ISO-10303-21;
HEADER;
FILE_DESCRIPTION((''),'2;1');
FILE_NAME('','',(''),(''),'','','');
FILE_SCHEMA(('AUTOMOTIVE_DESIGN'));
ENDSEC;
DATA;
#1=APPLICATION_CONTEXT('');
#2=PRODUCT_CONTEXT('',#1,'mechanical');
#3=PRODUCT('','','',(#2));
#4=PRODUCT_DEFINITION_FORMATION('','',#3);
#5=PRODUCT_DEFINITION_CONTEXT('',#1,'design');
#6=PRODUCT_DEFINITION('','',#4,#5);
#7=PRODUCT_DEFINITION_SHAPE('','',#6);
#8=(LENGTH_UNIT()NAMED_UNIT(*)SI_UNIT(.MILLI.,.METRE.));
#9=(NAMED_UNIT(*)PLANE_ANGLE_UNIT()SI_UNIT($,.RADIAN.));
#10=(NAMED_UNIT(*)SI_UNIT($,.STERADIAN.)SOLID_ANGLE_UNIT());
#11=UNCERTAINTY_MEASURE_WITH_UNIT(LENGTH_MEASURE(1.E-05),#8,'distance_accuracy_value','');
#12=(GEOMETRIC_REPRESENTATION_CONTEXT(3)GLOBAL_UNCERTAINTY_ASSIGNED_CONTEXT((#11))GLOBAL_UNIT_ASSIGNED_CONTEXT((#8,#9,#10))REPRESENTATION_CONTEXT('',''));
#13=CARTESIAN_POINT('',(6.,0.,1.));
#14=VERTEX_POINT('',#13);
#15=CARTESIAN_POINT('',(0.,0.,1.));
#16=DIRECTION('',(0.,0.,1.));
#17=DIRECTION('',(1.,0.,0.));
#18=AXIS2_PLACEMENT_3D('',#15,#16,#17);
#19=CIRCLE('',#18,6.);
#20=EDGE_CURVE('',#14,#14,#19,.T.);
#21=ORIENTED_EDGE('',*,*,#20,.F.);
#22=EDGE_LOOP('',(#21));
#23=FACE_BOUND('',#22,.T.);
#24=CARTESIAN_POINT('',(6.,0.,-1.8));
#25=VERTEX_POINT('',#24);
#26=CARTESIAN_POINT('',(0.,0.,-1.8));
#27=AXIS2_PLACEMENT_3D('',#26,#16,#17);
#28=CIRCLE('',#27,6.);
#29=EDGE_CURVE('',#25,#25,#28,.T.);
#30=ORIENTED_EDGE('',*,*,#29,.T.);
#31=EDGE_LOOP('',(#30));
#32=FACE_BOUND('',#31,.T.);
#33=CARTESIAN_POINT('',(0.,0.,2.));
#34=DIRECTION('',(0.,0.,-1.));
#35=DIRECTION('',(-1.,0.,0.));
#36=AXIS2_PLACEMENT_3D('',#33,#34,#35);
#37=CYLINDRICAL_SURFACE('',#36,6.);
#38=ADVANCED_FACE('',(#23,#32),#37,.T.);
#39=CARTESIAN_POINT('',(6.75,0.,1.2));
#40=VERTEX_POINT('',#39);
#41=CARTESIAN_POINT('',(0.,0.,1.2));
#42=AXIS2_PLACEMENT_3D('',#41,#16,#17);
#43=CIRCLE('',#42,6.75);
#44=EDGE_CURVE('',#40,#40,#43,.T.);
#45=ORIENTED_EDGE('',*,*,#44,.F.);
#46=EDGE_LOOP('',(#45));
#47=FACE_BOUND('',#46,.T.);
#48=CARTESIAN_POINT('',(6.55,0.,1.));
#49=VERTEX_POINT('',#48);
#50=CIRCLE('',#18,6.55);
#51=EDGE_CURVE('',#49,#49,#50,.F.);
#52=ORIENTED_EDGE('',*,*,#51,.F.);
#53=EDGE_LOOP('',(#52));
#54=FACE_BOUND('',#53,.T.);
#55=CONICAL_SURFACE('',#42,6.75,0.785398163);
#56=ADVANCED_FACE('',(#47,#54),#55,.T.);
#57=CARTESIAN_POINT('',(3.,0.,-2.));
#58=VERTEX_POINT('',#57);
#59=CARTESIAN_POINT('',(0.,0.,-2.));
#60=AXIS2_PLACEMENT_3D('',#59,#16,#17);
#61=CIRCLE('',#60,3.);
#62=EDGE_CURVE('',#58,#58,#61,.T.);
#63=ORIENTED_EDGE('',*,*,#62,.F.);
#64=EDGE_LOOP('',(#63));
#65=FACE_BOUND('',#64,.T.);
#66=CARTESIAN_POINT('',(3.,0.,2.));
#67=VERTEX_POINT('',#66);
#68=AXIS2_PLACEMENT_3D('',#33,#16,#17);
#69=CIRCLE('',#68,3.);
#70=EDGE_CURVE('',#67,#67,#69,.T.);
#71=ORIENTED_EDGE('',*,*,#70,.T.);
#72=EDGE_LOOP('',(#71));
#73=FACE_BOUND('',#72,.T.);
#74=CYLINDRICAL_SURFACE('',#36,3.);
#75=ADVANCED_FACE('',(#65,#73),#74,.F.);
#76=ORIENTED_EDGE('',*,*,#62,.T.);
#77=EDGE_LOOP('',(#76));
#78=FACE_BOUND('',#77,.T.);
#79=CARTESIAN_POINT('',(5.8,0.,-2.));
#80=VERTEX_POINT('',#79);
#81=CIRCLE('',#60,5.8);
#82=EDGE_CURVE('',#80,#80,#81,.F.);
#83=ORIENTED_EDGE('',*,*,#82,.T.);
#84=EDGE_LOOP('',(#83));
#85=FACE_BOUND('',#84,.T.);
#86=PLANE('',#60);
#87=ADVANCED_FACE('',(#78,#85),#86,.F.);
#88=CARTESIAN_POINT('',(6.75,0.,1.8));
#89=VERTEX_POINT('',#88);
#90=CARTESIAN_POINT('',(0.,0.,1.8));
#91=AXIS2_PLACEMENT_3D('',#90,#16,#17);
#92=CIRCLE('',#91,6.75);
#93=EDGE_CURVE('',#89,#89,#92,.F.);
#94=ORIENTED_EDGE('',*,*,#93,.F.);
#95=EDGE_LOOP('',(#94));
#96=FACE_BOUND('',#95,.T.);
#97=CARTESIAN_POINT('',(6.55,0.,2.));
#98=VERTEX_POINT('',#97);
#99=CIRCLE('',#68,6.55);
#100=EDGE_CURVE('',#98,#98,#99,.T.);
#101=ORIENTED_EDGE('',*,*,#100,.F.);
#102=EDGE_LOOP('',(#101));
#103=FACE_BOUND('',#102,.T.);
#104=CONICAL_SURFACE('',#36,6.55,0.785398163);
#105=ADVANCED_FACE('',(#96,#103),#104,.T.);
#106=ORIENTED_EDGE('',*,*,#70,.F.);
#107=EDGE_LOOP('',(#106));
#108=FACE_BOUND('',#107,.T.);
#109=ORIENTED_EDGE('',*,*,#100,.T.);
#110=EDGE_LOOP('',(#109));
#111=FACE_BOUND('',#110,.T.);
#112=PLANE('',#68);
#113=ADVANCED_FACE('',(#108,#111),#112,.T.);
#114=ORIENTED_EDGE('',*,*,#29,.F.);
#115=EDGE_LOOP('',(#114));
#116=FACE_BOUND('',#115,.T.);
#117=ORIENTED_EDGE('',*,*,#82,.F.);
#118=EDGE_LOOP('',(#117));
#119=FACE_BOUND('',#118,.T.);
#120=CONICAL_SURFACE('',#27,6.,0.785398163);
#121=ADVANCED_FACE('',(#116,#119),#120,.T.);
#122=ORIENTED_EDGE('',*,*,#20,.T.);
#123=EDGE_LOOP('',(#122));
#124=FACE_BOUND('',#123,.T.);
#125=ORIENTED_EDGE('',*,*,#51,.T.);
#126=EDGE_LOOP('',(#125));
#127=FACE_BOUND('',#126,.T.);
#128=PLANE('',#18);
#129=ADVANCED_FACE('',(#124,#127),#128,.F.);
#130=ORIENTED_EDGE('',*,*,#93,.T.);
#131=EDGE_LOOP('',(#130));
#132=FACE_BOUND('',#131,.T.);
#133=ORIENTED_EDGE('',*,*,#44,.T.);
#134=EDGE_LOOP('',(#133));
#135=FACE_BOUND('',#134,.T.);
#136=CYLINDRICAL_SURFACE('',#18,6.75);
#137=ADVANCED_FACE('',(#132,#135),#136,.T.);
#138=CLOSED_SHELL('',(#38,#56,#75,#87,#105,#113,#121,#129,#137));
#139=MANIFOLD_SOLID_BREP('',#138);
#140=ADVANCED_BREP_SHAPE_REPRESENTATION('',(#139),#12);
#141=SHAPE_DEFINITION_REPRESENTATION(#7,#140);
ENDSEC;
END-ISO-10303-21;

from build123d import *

# Parameters (mm, degrees)
SKETCH_1_R      = 6
SKETCH_1_R_2    = 3
EXTRUDE_1_DEPTH = 2
SKETCH_2_R      = 6.75
SKETCH_2_R_2    = 3
EXTRUDE_2_DEPTH = 1
CHAMFER_1_SIZE  = 0.2


with BuildPart() as part:
    # 草图1 → 凸台-拉伸1 (new body, symmetric)
    with BuildSketch(Plane.XY):
        Circle(SKETCH_1_R)
        Circle(SKETCH_1_R_2, mode=Mode.SUBTRACT)
    extrude(amount=EXTRUDE_1_DEPTH, both=True)

    # 草图2 → 凸台-拉伸2 (add)
    with BuildSketch(Plane.XY.offset(2)):
        Circle(SKETCH_2_R)
        Circle(SKETCH_2_R_2, mode=Mode.SUBTRACT)
    extrude(amount=-EXTRUDE_2_DEPTH)

    # 倒角1
    chamfer_1_edges = [part.edges().sort_by_distance(p)[0] for p in [
        (-6.75, 0, 2),
        (-6.75, 0, 1),
        (-6, 0, -2),
    ]]
    chamfer(chamfer_1_edges, length=CHAMFER_1_SIZE)


solid = part.part
